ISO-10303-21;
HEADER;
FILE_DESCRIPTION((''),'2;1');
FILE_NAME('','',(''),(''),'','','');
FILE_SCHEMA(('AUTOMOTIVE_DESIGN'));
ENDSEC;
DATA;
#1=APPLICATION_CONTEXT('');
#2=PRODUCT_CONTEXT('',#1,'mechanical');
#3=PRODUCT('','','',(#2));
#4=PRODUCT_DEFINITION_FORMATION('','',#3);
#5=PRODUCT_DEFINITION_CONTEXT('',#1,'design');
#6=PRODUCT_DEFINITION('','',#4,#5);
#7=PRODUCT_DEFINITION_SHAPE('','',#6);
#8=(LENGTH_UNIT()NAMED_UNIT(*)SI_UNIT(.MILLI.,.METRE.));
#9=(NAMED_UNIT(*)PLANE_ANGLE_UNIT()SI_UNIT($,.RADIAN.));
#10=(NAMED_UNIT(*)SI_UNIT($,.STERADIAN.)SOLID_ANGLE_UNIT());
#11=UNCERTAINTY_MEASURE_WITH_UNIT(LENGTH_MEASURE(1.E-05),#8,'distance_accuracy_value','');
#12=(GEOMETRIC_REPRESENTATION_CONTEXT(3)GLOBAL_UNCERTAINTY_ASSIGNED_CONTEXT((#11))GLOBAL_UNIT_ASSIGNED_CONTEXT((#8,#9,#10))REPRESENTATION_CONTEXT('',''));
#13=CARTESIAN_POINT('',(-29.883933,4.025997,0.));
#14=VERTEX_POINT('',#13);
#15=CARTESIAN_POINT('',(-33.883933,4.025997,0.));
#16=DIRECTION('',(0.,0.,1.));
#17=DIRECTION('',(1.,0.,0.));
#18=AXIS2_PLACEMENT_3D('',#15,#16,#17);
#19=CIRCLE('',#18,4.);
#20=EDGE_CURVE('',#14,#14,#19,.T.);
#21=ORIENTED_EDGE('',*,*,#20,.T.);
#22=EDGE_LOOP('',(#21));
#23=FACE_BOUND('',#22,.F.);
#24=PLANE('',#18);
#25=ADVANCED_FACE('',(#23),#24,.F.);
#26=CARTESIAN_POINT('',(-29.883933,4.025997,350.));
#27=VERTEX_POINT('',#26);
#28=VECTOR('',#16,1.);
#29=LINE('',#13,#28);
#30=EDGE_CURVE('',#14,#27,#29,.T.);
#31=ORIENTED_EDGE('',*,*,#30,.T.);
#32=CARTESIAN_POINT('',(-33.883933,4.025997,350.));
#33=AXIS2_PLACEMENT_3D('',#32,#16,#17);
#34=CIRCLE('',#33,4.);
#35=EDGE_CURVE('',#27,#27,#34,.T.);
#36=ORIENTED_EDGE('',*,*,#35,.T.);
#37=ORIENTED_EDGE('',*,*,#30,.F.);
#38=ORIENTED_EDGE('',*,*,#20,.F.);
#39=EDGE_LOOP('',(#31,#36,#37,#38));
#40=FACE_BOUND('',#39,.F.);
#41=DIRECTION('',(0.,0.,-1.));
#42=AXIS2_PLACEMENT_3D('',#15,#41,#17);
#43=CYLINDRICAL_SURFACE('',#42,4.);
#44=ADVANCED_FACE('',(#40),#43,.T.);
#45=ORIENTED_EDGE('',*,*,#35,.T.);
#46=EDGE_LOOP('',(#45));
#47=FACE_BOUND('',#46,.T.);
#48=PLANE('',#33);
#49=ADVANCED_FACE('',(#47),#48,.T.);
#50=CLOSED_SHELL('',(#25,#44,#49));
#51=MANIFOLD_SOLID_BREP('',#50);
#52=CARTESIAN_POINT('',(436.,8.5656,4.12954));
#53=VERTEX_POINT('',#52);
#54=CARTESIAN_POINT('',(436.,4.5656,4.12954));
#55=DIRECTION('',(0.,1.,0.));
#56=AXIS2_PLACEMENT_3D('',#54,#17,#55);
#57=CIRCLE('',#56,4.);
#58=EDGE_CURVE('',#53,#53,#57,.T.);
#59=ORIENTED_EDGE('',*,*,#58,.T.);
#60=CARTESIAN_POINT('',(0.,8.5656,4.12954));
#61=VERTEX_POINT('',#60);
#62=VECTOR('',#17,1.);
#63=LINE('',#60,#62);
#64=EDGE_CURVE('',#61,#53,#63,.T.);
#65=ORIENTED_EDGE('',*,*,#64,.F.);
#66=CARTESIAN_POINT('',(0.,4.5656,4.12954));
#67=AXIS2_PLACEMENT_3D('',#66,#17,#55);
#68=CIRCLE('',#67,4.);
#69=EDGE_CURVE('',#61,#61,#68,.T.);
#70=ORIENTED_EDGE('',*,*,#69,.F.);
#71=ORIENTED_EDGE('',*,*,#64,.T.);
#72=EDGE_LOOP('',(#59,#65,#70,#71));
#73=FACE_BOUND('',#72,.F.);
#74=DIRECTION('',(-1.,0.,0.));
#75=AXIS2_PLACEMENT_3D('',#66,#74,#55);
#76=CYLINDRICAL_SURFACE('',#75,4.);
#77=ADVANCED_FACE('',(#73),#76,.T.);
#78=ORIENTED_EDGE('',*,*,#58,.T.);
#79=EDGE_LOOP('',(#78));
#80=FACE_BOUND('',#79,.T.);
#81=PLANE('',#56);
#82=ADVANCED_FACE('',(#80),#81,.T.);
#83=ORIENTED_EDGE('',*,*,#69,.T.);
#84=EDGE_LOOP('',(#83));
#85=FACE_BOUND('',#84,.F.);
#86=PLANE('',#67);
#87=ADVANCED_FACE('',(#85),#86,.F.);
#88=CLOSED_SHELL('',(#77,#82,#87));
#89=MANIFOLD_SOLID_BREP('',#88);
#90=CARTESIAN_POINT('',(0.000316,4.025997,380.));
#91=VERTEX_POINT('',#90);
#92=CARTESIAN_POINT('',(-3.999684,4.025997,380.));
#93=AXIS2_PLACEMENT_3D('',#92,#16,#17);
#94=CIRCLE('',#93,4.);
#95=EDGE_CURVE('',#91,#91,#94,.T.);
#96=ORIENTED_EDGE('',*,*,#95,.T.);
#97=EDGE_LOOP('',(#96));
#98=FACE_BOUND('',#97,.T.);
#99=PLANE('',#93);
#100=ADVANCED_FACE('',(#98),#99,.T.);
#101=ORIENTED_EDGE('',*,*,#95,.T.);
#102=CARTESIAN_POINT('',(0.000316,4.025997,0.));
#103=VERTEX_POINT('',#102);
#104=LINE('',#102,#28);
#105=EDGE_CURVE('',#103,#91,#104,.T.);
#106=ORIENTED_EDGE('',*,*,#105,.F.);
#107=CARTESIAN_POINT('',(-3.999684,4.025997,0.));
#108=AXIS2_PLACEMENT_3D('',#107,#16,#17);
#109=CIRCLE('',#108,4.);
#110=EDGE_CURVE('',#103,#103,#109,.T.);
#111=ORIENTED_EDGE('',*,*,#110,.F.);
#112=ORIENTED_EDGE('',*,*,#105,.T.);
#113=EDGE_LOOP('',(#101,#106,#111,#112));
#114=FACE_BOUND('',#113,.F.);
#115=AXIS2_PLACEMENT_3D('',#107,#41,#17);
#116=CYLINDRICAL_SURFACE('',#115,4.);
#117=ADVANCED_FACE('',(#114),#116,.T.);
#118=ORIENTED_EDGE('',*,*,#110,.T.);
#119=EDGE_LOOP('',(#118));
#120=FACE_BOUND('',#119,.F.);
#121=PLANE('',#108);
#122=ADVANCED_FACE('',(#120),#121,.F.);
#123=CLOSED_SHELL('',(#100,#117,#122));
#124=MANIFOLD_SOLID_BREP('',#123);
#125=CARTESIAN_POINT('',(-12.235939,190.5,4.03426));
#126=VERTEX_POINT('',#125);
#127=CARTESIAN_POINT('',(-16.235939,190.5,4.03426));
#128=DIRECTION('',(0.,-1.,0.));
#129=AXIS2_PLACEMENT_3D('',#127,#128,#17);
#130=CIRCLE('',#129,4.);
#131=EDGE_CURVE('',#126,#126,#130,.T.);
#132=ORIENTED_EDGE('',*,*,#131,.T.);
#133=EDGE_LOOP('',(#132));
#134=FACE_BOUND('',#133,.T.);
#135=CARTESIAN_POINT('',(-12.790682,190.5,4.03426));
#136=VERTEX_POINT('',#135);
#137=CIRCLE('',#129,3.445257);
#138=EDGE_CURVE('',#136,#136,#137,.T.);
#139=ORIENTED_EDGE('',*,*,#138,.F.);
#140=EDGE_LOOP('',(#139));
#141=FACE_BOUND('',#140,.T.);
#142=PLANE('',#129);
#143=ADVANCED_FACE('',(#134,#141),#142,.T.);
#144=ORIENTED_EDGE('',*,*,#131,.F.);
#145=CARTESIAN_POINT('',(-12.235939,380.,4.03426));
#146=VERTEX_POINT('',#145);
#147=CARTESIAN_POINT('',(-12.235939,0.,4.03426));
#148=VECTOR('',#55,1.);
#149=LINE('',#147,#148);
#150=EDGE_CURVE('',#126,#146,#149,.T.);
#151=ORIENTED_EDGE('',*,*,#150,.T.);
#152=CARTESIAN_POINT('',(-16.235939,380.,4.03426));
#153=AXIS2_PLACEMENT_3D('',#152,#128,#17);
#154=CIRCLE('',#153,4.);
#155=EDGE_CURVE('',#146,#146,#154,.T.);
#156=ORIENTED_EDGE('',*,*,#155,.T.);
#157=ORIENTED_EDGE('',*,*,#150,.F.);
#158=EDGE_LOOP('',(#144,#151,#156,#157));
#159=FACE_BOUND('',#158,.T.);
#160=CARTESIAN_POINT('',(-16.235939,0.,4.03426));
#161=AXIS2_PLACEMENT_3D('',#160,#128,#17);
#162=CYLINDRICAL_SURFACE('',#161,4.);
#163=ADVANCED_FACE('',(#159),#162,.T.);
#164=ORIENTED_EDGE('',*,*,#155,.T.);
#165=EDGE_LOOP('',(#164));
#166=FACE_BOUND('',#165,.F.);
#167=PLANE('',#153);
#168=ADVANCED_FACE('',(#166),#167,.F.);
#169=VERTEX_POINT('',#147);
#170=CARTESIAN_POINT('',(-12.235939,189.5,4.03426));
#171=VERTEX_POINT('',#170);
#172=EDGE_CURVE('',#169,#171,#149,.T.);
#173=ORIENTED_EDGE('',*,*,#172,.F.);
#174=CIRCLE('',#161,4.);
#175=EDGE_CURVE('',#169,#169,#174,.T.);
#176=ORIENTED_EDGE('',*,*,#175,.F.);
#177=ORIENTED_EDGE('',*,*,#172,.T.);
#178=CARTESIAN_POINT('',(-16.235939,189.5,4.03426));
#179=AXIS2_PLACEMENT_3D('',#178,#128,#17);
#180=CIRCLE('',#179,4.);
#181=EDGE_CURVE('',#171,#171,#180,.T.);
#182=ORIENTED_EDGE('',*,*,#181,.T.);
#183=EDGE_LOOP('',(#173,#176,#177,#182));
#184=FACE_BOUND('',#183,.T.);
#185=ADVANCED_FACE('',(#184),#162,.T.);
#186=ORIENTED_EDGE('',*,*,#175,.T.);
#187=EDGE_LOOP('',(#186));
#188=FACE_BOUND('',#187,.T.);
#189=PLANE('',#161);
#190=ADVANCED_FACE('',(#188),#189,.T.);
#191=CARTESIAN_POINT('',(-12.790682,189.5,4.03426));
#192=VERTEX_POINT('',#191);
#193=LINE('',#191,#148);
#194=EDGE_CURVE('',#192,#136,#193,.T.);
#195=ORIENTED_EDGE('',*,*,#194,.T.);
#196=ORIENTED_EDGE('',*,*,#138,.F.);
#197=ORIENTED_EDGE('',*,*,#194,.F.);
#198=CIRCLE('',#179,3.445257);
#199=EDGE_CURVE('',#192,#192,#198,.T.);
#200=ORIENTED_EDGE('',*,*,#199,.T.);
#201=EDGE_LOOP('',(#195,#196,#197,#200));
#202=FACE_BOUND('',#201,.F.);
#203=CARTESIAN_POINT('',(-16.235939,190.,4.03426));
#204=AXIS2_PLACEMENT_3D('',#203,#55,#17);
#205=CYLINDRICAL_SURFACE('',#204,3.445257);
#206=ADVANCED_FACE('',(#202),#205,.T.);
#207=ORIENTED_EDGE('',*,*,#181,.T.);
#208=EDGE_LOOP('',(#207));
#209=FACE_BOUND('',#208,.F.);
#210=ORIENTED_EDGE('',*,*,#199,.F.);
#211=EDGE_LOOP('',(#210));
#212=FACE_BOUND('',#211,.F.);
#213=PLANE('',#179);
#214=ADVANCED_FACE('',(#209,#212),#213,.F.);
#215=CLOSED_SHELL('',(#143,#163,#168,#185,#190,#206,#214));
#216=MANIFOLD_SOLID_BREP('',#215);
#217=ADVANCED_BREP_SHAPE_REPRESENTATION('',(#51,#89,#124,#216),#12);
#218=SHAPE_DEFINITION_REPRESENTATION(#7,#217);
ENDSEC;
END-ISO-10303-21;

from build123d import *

# Parameters (mm, degrees)
F0_R     = 4
F1_DEPTH = 380
F2_R     = 4
F3_DEPTH = 380
F4_R     = 4
F5_DEPTH = 436
F6_DEPTH = 350
F8_R     = 4
F8_R_2   = 3.4452570005
F9_DEPTH = 0.5


with BuildPart() as f1:
    # F0 (on Top) → F1 (new body)
    with BuildSketch(Plane.XY):
        with Locations((-3.9996842142, 4.0259968746)):
            Circle(F0_R)
    extrude(amount=F1_DEPTH)


with BuildPart() as f3:
    # F2 (on Front) → F3 (new body)
    with BuildSketch(Plane.XZ):
        with Locations((-16.2359386162, 4.0342601048)):
            Circle(F2_R)
    extrude(amount=-F3_DEPTH)

    # F8 (on offset) → F9 (cut, symmetric)
    with BuildSketch(Plane.XZ.offset(-190)):
        with Locations((-16.2359386162, 4.0342601048)):
            Circle(F8_R)
        with Locations((-16.2359386162, 4.0342601048)):
            Circle(F8_R_2, mode=Mode.SUBTRACT)
    extrude(amount=F9_DEPTH, both=True, mode=Mode.SUBTRACT)


with BuildPart() as f5:
    # F4 (on Right) → F5 (new body)
    with BuildSketch(Plane.YZ):
        with Locations((4.5656003058, 4.1295401752)):
            Circle(F4_R)
    extrude(amount=F5_DEPTH)


with BuildPart() as f6:
    # F0 (on Top) → F6 (new body)
    with BuildSketch(Plane.XY):
        with Locations((-33.8839329779, 4.0259968746)):
            Circle(F0_R)
    extrude(amount=F6_DEPTH)


solid = Compound([f1.part, f3.part, f5.part, f6.part])
